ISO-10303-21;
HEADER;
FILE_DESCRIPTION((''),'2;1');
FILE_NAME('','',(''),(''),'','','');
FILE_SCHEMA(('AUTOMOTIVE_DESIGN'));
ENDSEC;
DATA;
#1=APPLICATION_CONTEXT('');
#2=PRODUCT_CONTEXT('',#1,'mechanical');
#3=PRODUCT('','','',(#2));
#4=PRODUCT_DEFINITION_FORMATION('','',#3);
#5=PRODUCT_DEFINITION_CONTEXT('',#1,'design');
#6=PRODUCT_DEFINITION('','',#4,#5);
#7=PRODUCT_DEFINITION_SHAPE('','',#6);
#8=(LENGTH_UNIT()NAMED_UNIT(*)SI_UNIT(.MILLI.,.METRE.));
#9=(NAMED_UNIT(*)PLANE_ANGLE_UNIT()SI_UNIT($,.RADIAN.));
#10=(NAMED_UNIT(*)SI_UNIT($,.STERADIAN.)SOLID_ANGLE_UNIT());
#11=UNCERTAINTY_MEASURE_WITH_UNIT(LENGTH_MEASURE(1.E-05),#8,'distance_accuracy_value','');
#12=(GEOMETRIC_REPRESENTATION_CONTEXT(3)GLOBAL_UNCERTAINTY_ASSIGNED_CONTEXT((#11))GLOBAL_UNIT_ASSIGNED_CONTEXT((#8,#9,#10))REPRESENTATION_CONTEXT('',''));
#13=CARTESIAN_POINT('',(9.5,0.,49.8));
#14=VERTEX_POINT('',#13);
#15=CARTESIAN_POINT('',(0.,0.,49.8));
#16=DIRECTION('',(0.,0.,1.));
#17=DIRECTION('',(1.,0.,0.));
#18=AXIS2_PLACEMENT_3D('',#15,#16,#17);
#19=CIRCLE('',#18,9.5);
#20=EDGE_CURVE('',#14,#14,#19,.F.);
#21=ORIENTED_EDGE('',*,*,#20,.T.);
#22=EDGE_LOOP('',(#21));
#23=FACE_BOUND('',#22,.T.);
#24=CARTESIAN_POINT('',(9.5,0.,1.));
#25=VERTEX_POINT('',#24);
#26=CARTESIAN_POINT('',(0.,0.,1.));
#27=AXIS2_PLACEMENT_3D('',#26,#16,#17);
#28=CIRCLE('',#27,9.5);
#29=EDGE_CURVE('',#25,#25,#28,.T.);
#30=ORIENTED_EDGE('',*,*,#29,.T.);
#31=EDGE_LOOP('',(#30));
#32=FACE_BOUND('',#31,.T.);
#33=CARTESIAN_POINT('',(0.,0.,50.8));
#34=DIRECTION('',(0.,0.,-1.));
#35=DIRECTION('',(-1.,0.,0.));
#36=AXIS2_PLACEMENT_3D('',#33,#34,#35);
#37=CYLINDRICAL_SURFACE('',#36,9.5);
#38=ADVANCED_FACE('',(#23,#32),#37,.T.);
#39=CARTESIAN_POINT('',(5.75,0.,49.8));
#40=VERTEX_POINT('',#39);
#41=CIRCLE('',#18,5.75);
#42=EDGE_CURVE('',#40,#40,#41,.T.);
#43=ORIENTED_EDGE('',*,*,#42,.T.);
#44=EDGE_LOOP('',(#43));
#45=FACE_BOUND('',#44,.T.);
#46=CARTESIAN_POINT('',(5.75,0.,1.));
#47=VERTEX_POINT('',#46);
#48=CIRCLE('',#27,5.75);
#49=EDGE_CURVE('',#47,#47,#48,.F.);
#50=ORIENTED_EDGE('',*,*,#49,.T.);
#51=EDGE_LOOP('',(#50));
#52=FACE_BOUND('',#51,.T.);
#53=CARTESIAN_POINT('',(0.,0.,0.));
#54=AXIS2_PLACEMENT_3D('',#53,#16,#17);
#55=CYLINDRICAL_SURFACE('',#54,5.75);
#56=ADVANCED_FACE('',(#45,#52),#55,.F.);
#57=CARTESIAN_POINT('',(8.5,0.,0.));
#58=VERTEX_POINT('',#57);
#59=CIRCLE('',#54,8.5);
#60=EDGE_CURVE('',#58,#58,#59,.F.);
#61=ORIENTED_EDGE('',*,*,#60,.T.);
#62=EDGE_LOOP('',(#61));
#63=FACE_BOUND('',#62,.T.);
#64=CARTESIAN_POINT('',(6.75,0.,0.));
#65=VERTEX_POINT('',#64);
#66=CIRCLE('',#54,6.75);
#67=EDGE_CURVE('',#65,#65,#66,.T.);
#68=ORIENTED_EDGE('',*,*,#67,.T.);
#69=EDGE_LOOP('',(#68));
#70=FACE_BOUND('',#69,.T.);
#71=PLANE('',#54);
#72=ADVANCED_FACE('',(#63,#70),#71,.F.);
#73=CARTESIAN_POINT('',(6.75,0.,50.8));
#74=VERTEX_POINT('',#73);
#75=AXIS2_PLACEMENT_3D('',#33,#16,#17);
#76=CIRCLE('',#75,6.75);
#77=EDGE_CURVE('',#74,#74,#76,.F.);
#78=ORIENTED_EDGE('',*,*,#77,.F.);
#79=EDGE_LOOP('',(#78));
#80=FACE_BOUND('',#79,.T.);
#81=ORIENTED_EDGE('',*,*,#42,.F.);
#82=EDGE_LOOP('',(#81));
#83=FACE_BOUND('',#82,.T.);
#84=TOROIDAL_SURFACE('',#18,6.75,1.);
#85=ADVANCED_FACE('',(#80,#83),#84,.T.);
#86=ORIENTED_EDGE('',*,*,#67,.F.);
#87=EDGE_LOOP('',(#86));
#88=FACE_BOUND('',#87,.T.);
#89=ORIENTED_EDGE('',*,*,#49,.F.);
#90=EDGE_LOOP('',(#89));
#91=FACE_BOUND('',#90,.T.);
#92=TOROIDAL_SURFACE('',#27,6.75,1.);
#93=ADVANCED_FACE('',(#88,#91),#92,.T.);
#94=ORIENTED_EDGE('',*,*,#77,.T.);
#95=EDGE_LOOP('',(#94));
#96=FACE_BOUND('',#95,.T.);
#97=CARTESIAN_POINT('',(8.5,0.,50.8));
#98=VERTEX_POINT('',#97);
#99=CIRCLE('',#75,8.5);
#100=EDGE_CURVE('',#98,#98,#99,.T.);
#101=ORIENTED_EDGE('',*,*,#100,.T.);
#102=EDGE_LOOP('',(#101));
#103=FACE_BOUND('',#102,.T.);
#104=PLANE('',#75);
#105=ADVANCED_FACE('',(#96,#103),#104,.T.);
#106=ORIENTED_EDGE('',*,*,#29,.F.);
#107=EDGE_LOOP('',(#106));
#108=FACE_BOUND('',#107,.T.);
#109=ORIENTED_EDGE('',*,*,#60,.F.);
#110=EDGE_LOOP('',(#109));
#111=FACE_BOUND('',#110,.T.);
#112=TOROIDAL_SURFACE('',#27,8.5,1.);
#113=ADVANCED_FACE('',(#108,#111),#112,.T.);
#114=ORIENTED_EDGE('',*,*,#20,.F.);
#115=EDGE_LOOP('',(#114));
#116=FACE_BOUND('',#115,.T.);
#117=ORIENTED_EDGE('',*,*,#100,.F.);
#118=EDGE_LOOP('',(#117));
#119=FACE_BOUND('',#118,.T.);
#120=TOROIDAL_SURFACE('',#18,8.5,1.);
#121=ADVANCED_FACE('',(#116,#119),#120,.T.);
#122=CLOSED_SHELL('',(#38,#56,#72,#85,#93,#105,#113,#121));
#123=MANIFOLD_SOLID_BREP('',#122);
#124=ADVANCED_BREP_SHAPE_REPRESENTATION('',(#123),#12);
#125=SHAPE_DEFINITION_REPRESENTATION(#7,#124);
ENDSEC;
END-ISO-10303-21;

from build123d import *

# Parameters (mm, degrees)
ESQUISSE1_R      = 9.5
EXTRUSION1_DEPTH = 50.8
ESQUISSE2_R      = 5.75
EXTRUSION2_DEPTH = 53.546550791
FILLET1_R        = 1


with BuildPart() as part:
    # Esquisse1 → Extrusion1 (new body)
    with BuildSketch(Plane.XY):
        Circle(ESQUISSE1_R)
    extrude(amount=EXTRUSION1_DEPTH)

    # Esquisse2 → Extrusion2 (cut, through all)
    with BuildSketch(Plane.XY.offset(50.8)):
        Circle(ESQUISSE2_R)
    extrude(amount=-EXTRUSION2_DEPTH, mode=Mode.SUBTRACT)

    # Fillet1
    fillet1_edges = [part.edges().sort_by_distance(p)[0] for p in [
        (-9.5, 0, 0),
        (-9.5, 0, 50.8),
        (-5.75, 0, 0),
        (-5.75, 0, 50.8),
    ]]
    fillet(fillet1_edges, radius=FILLET1_R)


solid = part.part
